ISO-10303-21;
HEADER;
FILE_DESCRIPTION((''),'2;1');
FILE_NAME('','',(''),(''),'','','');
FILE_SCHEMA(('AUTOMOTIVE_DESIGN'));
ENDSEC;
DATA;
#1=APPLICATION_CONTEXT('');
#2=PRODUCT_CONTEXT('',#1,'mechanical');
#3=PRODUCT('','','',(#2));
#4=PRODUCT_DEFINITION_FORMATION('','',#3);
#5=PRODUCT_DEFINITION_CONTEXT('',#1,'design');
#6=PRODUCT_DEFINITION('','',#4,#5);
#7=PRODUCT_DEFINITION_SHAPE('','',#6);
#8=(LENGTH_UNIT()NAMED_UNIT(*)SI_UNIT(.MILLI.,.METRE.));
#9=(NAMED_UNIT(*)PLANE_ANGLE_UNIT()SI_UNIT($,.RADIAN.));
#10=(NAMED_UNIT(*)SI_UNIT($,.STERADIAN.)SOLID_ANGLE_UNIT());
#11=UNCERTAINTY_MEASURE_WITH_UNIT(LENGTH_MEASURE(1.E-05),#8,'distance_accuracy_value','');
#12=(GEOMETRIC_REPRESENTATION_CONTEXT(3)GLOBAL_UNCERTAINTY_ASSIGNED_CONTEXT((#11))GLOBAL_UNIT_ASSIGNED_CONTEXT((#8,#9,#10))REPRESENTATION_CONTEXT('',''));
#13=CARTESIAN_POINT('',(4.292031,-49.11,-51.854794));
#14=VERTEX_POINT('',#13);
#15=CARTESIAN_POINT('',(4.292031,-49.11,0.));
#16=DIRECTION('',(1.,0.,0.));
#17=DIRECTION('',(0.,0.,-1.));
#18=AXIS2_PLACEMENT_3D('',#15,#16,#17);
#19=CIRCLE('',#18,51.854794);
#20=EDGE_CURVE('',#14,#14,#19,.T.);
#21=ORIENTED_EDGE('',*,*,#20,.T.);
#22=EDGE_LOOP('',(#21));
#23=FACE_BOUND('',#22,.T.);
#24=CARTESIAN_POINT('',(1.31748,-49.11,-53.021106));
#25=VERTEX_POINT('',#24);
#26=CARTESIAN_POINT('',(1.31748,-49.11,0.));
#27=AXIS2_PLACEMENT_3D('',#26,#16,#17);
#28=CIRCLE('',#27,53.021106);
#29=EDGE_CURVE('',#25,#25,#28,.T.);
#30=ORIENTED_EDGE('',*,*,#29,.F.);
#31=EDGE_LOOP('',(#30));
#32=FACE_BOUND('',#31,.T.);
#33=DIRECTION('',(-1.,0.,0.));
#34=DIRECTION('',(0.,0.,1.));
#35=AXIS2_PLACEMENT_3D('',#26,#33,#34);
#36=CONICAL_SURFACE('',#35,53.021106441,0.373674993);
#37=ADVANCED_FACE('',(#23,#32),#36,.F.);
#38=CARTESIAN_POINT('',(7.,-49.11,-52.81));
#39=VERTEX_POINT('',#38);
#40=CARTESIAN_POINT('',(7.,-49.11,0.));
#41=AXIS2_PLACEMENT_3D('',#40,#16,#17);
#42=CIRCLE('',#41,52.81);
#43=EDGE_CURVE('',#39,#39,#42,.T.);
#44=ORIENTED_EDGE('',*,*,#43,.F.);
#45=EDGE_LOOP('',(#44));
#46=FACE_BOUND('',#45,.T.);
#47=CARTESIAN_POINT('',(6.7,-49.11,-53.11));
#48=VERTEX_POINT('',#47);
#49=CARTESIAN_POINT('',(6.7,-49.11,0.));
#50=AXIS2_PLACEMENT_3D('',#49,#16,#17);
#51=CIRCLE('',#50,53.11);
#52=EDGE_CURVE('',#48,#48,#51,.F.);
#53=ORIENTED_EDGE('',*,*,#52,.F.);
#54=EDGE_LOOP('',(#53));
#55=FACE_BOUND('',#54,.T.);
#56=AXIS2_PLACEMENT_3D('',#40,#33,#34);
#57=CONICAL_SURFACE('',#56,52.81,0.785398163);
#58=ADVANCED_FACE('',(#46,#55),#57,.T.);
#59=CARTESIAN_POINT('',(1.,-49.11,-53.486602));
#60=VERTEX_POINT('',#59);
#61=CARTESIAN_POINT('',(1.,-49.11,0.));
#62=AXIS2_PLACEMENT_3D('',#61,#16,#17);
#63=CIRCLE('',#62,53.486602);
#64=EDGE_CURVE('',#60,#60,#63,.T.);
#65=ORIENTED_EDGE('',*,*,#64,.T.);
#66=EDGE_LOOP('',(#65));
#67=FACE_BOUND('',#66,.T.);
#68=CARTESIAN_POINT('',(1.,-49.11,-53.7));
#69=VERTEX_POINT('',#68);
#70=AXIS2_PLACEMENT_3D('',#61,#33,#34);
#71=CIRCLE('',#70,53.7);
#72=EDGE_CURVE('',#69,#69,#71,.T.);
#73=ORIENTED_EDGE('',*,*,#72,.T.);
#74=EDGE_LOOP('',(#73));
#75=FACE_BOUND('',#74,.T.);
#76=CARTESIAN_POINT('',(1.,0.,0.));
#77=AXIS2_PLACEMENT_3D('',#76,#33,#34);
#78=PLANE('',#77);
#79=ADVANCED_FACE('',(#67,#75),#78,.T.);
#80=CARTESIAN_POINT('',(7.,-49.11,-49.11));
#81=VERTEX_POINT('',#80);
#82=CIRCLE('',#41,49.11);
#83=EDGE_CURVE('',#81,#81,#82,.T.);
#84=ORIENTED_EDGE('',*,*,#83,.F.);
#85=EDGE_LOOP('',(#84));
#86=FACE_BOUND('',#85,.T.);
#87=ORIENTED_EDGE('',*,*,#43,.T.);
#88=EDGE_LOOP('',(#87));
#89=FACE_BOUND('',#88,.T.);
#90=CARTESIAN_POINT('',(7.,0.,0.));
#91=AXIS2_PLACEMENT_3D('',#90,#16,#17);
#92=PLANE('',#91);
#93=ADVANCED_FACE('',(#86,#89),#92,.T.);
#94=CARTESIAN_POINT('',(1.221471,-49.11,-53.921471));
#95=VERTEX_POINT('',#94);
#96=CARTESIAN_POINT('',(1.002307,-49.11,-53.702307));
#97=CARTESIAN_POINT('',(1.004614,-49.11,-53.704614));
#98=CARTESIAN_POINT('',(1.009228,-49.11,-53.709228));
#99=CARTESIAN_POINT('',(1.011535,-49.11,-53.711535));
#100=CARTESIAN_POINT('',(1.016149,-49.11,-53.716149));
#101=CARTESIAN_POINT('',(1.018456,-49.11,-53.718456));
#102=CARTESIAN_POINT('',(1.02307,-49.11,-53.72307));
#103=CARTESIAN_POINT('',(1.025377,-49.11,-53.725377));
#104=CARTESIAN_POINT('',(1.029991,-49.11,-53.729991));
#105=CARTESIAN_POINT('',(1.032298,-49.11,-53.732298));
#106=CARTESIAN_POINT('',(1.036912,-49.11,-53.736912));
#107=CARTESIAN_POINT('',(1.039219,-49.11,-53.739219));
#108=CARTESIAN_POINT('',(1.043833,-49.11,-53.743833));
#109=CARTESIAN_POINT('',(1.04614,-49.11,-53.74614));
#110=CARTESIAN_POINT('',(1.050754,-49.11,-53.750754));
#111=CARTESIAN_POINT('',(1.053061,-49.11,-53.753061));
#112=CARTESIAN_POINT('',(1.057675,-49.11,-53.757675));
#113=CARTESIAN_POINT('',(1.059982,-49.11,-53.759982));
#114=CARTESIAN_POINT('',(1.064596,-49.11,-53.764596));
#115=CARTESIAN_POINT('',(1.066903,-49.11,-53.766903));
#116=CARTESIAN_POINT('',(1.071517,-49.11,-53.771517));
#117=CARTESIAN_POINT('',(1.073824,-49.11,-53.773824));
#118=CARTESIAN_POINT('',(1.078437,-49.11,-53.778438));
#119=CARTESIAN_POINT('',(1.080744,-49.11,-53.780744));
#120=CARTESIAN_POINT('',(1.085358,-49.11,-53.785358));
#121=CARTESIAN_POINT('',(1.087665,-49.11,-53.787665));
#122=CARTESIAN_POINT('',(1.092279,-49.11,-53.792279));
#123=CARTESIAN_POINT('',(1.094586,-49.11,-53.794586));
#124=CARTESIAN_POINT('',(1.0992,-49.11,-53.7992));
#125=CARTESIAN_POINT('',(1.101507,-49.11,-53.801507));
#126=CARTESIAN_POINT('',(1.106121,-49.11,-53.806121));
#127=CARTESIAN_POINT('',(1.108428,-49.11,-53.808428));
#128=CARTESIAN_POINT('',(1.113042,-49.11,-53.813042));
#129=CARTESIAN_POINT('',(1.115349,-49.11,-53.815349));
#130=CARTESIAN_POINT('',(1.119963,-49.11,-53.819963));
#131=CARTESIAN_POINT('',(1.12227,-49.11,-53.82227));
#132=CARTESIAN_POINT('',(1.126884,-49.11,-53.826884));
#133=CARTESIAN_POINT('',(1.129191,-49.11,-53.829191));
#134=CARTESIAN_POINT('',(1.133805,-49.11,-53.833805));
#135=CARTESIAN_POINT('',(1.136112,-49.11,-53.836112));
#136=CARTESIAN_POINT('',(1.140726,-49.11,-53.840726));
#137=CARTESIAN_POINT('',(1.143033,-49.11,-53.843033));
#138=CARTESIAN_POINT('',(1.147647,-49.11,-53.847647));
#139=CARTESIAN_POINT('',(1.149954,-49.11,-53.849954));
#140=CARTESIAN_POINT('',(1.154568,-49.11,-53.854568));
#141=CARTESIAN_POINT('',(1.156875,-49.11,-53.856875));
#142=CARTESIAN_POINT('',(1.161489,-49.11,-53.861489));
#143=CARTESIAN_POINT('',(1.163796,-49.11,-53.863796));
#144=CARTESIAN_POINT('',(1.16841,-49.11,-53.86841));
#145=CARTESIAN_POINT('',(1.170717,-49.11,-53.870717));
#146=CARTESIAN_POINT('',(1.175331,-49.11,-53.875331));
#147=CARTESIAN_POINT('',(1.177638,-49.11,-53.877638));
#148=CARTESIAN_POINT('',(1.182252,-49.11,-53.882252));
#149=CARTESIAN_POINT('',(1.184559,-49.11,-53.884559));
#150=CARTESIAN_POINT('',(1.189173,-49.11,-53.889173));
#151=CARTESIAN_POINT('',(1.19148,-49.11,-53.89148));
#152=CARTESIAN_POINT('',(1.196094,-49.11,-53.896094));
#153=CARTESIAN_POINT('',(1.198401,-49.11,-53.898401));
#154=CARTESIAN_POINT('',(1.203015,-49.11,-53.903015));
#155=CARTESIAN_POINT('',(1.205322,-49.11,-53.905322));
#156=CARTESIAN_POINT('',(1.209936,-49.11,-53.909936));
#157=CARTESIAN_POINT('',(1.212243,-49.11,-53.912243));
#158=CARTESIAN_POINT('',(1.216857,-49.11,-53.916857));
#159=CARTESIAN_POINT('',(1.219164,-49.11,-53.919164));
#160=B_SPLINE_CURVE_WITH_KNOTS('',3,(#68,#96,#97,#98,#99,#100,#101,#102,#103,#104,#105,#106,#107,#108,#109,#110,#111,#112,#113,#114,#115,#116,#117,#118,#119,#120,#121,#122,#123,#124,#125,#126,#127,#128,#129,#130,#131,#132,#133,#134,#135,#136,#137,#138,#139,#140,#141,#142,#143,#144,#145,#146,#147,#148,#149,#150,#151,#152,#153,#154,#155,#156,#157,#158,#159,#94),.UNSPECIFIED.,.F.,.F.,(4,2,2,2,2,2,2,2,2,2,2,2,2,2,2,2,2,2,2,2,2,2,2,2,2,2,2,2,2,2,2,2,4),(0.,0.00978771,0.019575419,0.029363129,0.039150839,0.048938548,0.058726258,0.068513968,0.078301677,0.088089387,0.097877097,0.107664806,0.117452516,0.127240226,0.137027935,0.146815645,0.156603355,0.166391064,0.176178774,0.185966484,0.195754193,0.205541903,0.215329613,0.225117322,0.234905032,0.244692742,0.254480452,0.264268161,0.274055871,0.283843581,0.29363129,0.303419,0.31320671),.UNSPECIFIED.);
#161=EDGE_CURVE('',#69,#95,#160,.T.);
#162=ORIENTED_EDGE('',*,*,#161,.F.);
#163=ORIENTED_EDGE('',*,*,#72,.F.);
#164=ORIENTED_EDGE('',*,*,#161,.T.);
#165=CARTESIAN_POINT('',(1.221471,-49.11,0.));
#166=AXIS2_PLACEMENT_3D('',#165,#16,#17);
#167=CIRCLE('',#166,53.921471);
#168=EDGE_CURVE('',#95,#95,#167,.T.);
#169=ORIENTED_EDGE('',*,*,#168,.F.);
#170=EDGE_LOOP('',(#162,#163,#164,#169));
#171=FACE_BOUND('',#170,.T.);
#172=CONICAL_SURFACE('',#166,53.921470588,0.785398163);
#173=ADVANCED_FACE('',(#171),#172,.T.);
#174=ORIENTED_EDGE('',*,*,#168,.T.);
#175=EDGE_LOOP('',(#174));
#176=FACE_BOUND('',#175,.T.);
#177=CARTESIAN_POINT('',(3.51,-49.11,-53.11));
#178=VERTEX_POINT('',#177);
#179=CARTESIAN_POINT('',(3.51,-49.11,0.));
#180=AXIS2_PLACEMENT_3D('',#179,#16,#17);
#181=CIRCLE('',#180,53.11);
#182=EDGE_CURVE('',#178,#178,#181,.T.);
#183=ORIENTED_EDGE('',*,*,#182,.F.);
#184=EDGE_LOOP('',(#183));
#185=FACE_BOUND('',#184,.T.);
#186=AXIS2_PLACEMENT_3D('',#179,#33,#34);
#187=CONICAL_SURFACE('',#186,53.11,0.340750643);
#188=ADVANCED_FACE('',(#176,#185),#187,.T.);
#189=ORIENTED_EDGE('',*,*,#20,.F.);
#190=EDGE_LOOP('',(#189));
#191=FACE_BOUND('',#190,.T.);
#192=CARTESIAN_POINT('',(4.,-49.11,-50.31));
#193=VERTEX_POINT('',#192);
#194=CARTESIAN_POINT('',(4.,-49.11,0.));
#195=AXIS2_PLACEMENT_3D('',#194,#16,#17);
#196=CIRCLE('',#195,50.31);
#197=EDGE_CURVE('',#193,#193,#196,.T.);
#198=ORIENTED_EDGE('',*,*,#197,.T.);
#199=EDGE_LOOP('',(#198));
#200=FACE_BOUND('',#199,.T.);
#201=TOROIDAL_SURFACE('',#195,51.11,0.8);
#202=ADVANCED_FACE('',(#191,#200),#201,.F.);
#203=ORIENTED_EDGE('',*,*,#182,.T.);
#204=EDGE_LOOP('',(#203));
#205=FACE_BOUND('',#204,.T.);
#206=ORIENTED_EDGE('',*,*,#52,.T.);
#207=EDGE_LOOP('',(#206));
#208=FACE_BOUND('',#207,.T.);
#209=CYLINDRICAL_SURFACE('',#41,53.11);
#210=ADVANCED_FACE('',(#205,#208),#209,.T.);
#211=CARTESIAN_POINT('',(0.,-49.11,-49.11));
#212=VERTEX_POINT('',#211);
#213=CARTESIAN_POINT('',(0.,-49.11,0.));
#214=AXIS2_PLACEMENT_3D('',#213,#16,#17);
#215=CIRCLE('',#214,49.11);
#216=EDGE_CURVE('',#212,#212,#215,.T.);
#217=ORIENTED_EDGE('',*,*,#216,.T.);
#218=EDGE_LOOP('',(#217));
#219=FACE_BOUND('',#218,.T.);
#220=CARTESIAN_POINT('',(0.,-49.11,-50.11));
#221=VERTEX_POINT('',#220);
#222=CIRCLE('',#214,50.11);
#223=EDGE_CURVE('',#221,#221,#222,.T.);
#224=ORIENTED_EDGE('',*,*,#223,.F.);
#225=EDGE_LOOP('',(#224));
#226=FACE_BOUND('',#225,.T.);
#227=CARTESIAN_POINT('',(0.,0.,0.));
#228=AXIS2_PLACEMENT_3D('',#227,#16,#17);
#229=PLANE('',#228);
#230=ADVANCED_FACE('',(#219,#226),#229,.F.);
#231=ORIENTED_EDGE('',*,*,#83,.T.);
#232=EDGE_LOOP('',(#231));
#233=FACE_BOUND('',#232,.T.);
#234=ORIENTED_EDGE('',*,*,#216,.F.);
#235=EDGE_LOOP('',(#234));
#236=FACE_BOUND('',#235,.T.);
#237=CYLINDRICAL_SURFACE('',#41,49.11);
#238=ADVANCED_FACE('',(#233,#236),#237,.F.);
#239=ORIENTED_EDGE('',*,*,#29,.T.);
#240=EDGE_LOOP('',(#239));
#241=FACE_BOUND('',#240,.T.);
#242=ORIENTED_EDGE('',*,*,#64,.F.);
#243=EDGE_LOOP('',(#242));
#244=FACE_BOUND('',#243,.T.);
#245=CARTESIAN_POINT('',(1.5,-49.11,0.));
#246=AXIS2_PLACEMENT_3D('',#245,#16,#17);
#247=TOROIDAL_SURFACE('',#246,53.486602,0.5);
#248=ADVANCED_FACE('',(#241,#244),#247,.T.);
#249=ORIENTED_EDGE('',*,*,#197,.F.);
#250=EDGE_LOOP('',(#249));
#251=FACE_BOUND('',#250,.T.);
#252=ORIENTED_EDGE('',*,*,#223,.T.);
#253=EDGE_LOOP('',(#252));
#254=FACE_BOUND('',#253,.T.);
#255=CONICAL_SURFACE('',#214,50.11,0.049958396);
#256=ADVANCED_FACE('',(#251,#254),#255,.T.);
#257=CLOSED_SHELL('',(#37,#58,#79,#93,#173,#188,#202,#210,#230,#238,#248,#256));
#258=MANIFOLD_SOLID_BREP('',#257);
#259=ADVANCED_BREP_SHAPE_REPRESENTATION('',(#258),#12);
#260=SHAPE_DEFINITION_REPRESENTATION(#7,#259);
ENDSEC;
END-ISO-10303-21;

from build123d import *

# Parameters (mm, degrees)
CHAMFER1_SIZE  = 0.3
CHAMFER2_SIZE  = 0.3
CHAMFER2_SIZE2 = 0.234981042


with BuildPart() as part:
    # Sketch1 → Revolve2 (revolve)
    with BuildSketch(Plane.XY, mode=Mode.PRIVATE) as revolve2_sk:
        with BuildLine():
            Line((0, 0), (7, 0))
            Line((7, 0), (7, 4))
            Line((7, 4), (3.51, 4))
            Line((3.51, 4), (1, 4.89))
            Line((1, 4.89), (1, 4.3766025))
            ThreePointArc((1, 4.3766025), (1.086926266, 4.094875522), (1.317480361, 3.911106441))
            Line((1.317480361, 3.911106441), (4.292031423, 2.744793695))
            ThreePointArc((4.292031423, 2.744793695), (4.786077272, 1.851398109), (4, 1.2))
            Line((4, 1.2), (0, 1))
            Line((0, 1), (0, 0))
        make_face()
    revolve(revolve2_sk.sketch.rotate(Axis((7, -49.11, 0), (-1, 0, 0)), 90), axis=Axis((7, -49.11, 0), (-1, 0, 0)))

    # Chamfer1
    chamfer1_edges = [part.edges().sort_by_distance(p)[0] for p in [
        (7, -49.11, 53.11),
    ]]
    chamfer(chamfer1_edges, length=CHAMFER1_SIZE)

    # Chamfer2
    chamfer2_edges = [part.edges().sort_by_distance(p)[0] for p in [
        (1, -49.11, 54),
    ]]
    chamfer2_side = [part.faces().sort_by_distance(p)[0] for p in [
        (1, -49.11, 53.847264935),
    ]]
    chamfer(chamfer2_edges, length=CHAMFER2_SIZE, length2=CHAMFER2_SIZE2, reference=chamfer2_side[0])


solid = part.part
